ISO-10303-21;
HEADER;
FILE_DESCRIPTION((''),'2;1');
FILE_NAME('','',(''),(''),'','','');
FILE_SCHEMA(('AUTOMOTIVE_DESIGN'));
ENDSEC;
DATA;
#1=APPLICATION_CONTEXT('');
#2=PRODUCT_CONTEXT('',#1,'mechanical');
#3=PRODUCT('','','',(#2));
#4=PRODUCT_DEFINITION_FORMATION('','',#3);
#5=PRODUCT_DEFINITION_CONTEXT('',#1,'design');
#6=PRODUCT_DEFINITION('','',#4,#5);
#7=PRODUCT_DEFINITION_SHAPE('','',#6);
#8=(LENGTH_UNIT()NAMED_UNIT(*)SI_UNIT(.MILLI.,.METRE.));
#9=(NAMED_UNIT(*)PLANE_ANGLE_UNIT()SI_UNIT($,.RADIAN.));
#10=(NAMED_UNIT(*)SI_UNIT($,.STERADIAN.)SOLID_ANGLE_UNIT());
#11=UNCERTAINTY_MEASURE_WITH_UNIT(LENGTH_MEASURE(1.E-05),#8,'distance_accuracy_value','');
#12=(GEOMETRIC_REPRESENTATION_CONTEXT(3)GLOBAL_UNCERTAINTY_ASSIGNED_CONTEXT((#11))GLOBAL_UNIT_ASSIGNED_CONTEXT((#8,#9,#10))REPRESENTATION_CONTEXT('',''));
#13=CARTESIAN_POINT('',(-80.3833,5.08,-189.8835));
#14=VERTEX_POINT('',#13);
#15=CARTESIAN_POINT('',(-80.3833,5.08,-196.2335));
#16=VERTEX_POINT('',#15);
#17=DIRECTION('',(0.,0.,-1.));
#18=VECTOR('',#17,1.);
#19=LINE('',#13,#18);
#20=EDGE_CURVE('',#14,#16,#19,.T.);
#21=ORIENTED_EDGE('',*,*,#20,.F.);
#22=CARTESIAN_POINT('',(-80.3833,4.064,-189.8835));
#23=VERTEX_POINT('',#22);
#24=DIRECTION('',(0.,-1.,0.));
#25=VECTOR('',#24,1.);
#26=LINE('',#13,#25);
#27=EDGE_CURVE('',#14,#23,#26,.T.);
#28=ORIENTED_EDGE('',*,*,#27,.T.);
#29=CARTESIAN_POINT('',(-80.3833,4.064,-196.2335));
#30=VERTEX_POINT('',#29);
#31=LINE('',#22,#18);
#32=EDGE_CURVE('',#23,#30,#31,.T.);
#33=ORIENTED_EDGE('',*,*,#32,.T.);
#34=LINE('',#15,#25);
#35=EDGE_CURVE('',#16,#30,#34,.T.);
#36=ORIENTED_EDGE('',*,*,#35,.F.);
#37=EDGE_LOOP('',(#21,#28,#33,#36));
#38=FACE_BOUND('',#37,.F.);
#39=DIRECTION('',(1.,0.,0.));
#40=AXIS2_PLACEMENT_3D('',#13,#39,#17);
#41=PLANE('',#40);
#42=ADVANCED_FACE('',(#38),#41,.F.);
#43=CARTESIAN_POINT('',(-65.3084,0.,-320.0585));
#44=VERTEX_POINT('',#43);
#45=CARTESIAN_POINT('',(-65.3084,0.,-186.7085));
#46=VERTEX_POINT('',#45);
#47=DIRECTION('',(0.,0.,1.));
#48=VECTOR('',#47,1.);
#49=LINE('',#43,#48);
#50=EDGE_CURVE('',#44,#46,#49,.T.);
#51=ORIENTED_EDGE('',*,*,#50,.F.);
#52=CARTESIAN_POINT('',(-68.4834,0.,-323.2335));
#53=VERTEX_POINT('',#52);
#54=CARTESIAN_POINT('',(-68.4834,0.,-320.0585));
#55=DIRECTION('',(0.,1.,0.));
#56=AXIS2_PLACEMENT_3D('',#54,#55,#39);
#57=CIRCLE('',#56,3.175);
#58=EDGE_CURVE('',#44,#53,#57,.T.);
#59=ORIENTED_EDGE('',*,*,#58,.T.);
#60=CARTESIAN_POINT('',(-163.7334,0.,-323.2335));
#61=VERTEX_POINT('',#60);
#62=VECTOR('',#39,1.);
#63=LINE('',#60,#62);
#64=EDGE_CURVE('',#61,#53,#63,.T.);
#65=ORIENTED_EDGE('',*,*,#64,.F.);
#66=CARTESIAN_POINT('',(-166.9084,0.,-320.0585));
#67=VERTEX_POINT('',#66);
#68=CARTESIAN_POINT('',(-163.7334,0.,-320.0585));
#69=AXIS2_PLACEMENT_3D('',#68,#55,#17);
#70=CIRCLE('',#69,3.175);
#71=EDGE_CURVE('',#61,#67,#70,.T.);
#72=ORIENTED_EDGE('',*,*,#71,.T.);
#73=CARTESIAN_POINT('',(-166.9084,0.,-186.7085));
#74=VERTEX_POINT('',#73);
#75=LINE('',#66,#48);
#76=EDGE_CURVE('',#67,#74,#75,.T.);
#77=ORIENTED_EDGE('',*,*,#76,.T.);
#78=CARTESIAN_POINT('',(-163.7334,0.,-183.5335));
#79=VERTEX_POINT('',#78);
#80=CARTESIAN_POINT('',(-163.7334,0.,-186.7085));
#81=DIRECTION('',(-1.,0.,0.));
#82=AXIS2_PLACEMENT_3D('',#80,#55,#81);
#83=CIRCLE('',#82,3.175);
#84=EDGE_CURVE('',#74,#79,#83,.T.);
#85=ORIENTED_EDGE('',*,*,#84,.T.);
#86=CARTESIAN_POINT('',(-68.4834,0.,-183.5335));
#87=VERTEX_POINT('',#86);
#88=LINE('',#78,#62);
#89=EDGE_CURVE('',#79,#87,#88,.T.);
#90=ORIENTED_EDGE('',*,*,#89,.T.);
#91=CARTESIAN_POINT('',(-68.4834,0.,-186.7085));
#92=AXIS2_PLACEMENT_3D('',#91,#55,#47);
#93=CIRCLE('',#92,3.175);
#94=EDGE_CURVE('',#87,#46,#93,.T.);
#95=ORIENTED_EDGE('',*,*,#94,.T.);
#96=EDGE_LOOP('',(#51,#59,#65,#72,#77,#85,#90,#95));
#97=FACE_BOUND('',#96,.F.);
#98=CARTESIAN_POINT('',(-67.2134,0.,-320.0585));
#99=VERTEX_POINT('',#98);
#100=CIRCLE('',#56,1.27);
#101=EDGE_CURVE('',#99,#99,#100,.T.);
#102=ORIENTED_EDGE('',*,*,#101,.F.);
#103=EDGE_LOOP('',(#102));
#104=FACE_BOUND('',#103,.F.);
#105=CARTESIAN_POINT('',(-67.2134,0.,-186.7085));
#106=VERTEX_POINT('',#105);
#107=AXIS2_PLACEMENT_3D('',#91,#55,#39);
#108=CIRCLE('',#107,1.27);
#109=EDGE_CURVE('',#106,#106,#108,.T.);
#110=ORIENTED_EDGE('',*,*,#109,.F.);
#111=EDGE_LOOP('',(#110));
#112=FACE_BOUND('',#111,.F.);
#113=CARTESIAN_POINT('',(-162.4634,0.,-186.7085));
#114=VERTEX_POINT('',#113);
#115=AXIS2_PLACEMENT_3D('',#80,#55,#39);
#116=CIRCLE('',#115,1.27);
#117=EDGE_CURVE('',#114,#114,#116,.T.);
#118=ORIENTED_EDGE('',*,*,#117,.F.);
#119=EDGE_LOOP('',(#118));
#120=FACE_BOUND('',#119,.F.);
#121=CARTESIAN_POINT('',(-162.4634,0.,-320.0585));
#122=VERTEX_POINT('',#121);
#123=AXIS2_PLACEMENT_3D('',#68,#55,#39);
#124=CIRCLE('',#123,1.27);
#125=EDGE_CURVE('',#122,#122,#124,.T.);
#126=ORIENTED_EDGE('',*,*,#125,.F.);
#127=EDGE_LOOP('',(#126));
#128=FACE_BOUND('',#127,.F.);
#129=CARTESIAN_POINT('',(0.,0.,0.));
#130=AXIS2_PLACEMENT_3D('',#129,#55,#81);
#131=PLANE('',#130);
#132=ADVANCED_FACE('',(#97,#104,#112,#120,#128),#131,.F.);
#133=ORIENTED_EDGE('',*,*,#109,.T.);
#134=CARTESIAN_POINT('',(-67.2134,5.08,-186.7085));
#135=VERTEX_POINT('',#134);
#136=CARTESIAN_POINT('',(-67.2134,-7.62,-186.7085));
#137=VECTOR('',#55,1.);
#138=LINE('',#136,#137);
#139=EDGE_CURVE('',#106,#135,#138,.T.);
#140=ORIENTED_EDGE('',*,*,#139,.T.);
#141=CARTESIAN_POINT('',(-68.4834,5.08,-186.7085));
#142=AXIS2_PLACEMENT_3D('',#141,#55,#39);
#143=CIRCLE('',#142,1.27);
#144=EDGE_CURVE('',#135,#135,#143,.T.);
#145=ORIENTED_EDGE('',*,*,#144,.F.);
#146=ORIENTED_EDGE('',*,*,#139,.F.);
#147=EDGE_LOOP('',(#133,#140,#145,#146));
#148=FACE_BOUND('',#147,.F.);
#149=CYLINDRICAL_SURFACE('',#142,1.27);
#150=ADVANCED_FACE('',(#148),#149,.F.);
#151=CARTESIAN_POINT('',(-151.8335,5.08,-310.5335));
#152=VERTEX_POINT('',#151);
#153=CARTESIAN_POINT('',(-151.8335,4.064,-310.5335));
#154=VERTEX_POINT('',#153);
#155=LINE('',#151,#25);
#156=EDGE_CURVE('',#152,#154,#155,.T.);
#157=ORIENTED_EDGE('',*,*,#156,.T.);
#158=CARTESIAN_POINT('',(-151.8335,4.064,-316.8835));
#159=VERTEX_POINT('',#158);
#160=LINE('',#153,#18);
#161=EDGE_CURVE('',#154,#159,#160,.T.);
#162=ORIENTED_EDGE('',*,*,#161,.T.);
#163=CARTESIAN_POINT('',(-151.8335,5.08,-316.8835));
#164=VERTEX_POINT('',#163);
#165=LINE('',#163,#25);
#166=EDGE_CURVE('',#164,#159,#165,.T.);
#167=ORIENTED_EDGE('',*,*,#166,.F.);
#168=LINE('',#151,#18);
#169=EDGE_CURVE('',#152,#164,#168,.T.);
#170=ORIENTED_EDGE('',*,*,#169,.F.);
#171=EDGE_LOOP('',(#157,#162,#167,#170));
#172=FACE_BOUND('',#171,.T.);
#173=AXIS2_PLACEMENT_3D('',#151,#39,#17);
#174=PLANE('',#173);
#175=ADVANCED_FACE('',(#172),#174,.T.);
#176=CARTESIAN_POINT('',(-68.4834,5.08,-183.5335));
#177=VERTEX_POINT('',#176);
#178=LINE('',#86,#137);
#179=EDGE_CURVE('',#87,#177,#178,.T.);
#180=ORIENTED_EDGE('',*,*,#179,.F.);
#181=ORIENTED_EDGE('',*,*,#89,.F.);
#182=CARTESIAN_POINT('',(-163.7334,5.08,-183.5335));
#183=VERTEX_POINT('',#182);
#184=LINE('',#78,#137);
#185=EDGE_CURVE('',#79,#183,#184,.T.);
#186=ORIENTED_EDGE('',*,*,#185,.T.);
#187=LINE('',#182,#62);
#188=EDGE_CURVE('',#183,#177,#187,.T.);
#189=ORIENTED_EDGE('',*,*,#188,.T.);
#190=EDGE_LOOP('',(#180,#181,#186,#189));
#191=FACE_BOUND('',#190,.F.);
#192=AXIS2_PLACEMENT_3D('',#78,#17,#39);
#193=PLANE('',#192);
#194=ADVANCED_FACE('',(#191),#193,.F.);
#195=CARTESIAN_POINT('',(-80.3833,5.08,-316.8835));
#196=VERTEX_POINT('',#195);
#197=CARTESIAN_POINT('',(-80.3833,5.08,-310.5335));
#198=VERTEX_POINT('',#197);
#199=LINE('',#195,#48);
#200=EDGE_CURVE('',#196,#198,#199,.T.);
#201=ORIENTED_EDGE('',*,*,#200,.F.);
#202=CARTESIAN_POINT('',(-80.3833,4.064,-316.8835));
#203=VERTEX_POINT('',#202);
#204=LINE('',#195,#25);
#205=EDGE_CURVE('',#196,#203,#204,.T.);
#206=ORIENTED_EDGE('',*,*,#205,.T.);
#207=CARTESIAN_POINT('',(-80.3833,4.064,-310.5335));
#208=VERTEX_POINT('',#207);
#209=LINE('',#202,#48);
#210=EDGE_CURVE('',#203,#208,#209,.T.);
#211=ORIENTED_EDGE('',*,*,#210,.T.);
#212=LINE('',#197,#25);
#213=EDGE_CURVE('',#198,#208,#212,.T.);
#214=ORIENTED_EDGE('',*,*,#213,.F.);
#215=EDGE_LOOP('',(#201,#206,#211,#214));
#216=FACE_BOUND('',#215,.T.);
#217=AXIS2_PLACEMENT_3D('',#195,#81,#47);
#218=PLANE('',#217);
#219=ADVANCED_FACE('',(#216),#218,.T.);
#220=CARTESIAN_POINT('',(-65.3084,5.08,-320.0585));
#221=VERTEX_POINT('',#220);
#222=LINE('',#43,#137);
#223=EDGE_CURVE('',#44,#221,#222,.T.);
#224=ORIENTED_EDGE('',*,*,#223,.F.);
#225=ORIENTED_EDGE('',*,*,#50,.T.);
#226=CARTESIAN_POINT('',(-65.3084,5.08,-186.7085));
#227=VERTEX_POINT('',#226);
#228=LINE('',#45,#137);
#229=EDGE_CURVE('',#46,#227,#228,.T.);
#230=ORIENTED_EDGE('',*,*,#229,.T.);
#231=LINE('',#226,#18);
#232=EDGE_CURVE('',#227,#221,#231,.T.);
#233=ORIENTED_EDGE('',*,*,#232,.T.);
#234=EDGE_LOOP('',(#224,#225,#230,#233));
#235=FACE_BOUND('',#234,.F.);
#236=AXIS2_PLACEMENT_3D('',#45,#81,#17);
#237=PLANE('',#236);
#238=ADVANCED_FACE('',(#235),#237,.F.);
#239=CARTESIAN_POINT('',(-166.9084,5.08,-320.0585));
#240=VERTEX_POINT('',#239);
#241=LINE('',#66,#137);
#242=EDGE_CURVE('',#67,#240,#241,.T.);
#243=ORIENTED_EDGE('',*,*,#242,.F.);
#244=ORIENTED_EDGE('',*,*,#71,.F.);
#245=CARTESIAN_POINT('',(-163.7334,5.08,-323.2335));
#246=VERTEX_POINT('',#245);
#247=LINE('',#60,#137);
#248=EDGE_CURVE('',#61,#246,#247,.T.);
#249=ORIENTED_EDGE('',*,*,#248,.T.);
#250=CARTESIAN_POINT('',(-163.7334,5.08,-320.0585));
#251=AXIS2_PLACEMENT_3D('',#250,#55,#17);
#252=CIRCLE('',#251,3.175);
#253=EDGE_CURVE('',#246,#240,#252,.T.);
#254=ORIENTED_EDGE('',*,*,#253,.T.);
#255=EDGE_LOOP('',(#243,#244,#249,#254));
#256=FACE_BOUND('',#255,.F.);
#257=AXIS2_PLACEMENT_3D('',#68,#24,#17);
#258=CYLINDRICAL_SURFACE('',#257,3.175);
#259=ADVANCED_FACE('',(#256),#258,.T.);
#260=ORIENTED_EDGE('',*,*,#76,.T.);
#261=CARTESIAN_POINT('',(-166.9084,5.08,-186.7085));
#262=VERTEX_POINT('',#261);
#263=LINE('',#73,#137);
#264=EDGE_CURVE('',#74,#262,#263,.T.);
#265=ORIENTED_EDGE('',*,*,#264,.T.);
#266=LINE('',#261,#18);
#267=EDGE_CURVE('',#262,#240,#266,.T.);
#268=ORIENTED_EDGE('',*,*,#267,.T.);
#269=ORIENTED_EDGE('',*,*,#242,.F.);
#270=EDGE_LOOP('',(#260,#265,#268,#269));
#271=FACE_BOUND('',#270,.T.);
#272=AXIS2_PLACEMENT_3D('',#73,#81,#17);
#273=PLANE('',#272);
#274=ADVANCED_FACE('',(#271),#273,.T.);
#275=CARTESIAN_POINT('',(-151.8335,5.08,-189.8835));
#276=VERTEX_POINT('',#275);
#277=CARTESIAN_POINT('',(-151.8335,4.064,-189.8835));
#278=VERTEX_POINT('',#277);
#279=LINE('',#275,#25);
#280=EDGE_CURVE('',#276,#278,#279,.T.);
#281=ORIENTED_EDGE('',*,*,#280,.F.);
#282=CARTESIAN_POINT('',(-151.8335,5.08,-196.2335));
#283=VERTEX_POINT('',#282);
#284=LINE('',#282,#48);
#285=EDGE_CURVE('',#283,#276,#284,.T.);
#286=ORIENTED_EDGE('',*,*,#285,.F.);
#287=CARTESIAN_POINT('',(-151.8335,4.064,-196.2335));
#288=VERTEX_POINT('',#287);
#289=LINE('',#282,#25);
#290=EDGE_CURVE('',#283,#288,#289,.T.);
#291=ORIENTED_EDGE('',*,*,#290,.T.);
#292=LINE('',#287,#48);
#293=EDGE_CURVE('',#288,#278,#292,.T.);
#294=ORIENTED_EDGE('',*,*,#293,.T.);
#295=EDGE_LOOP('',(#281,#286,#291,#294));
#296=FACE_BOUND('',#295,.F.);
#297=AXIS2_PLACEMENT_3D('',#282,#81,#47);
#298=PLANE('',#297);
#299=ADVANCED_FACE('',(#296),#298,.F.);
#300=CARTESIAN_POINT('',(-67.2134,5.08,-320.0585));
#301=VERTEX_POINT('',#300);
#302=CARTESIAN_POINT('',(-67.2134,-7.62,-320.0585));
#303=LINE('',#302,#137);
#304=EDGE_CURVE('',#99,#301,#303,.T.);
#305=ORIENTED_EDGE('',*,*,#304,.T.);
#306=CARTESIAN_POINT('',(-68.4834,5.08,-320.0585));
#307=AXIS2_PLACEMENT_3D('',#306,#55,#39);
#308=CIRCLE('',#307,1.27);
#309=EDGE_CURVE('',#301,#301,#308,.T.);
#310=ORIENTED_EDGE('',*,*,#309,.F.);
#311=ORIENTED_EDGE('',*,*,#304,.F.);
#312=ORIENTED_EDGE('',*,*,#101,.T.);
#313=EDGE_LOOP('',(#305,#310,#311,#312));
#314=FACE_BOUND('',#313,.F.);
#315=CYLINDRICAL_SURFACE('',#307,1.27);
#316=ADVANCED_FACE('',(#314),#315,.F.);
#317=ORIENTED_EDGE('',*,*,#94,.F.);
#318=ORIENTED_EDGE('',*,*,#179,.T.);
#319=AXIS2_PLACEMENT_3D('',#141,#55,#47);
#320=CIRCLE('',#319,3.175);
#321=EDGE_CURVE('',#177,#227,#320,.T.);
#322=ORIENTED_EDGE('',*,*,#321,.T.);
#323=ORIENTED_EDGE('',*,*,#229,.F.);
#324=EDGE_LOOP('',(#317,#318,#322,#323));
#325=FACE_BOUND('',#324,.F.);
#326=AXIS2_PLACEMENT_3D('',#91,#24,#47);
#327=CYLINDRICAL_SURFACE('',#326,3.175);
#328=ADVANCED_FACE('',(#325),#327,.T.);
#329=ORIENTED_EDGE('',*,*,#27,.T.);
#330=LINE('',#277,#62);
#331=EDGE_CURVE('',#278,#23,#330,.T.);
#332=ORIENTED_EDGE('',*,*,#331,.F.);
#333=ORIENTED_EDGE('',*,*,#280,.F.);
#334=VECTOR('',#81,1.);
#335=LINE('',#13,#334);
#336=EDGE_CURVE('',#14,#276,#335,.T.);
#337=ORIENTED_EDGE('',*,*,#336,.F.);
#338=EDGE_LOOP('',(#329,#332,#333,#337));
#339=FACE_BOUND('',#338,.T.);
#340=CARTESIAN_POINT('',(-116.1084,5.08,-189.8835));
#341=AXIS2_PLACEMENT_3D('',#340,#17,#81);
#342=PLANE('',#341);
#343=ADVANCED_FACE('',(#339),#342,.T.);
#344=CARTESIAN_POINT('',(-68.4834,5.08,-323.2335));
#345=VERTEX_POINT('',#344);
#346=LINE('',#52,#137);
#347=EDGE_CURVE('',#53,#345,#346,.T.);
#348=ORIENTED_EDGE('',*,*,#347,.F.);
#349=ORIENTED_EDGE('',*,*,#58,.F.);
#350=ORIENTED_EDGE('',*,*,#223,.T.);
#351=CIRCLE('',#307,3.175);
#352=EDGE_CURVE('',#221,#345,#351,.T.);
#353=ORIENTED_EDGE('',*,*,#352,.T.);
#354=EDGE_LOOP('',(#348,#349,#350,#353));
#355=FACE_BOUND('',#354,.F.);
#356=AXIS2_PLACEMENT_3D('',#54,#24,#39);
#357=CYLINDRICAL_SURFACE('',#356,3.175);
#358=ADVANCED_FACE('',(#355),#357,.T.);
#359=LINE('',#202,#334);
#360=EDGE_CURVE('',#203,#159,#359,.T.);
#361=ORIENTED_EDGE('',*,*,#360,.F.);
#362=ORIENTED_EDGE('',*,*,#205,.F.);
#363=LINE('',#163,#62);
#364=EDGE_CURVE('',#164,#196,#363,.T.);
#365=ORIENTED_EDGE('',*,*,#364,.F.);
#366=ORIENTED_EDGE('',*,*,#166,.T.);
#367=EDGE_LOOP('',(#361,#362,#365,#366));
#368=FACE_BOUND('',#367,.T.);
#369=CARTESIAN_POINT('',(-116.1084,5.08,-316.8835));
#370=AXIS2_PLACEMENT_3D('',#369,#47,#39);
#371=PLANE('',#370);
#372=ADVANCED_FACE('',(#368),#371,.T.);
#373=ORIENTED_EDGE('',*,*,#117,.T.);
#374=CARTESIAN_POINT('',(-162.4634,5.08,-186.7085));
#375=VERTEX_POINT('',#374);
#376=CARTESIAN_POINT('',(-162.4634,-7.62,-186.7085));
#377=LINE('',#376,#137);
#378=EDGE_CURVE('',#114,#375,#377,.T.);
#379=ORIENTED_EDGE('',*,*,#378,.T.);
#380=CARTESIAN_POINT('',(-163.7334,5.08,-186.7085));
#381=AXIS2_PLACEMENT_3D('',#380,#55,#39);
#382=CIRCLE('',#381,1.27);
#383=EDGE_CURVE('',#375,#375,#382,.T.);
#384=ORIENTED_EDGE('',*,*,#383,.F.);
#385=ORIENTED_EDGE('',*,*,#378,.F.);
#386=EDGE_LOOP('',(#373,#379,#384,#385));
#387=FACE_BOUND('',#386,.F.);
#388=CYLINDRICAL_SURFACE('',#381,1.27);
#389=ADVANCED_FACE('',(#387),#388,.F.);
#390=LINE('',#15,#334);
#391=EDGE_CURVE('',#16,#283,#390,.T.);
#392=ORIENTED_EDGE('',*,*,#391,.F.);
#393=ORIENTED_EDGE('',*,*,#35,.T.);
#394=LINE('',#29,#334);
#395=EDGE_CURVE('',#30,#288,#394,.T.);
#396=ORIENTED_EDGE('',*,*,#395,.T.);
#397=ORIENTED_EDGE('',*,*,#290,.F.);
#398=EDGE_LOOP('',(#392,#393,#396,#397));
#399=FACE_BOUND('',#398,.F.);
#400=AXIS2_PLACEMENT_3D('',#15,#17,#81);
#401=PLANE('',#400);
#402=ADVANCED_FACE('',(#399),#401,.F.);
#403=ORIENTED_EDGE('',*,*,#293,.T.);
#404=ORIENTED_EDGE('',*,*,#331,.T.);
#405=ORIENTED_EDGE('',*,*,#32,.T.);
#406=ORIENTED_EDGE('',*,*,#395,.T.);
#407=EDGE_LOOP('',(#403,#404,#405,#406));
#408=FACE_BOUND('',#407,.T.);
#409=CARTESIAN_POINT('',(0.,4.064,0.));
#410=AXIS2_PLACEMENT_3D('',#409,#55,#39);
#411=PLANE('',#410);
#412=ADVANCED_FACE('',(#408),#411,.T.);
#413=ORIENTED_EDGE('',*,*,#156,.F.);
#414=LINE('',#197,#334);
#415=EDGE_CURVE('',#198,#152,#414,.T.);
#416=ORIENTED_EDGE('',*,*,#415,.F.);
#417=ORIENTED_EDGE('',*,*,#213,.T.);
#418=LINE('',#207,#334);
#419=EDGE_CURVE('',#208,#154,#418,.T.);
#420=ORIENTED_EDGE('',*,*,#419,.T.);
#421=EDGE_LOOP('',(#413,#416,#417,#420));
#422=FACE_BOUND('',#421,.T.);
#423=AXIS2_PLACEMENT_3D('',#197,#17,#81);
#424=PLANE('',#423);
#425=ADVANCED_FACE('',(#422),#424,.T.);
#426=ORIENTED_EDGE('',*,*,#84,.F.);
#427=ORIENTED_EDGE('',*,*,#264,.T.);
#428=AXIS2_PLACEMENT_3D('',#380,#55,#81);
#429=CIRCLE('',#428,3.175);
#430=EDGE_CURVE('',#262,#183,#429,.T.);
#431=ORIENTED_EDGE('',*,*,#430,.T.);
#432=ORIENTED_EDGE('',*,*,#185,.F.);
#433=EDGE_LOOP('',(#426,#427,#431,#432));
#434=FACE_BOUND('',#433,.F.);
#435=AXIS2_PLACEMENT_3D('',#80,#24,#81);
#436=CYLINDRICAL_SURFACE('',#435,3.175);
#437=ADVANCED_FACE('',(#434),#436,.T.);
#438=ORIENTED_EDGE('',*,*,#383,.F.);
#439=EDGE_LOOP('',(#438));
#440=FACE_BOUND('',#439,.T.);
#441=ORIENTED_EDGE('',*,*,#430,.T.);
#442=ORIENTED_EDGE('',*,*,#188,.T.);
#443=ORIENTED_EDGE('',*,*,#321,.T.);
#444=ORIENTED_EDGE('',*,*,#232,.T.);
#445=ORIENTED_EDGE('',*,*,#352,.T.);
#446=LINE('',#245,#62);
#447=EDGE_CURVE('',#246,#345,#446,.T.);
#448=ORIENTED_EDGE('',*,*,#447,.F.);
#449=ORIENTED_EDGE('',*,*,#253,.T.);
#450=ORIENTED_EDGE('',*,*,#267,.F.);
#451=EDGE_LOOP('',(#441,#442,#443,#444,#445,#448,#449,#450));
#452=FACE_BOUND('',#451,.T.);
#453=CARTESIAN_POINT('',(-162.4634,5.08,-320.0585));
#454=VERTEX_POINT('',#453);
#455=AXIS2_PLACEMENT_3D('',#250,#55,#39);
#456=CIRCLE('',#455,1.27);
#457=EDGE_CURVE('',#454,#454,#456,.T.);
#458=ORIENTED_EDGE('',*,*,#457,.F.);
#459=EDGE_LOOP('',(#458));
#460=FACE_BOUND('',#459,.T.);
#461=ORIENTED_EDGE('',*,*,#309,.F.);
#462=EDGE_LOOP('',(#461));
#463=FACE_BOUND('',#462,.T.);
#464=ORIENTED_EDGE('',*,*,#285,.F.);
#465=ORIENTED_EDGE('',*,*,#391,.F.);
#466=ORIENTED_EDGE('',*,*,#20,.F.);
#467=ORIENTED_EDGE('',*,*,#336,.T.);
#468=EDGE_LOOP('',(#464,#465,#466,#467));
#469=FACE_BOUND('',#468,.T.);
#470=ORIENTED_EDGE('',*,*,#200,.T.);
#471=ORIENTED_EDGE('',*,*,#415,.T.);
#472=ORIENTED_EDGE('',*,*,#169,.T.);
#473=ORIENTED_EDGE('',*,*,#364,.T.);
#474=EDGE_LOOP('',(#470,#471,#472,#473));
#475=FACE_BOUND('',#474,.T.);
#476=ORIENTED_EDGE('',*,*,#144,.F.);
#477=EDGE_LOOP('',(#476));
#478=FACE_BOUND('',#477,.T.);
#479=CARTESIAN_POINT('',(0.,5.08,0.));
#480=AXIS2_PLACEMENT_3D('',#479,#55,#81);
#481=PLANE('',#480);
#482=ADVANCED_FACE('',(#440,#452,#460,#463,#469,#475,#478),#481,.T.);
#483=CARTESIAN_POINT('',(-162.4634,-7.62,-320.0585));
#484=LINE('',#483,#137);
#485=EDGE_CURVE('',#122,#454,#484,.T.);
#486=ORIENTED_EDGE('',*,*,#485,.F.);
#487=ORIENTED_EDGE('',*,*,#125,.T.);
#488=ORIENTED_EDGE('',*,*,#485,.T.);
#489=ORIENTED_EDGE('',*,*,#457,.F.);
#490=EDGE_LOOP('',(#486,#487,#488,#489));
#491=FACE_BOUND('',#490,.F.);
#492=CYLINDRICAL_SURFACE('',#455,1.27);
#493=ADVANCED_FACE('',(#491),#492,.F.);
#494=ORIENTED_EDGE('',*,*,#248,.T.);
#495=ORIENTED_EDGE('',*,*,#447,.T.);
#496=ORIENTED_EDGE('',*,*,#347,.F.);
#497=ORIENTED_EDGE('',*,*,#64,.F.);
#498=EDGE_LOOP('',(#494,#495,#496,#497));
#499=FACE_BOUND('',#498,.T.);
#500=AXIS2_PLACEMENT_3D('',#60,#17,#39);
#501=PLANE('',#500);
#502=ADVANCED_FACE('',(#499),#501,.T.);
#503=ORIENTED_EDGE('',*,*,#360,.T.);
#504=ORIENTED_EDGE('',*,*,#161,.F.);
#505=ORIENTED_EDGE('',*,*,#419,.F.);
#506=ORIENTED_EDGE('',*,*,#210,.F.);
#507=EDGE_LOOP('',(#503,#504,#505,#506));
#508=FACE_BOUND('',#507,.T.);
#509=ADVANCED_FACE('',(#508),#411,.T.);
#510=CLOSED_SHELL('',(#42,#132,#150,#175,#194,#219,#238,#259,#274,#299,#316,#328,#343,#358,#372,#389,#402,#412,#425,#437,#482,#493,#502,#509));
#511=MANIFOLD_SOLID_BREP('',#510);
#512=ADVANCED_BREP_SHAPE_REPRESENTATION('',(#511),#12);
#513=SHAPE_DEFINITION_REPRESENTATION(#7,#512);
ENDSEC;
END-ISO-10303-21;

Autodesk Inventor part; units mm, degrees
ref_plane "YZ Plane" through (0, 0, 0) normal (1, 0, 0) x (0, 1, 0)
ref_plane "XZ Plane" through (0, 0, 0) normal (0, 1, 0) x (-1, 0, 0)
ref_plane "XY Plane" through (0, 0, 0) normal (0, 0, 1) x (1, 0, 0)
sketch "Sketch1" plane through (0, 0, 0) normal (0, 1, 0) x (-1, 0, 0)
  line L0 (163.7334, -183.5335) -> (68.4834, -183.5335)
  line L1 (166.9084, -186.7085) -> (166.9084, -253.3835)
  line L2 (65.3084, -186.7085) -> (65.3084, -253.3835)
  arc A0 (166.9084, -186.7085) -> (163.7334, -183.5335) centre (163.7334, -186.7085) ccw
  arc A1 (68.4834, -183.5335) -> (65.3084, -186.7085) centre (68.4834, -186.7085) ccw
  line L3 (163.7334, -323.2335) -> (68.4834, -323.2335)
  line L4 (166.9084, -320.0585) -> (166.9084, -253.3835)
  line L5 (65.3084, -320.0585) -> (65.3084, -253.3835)
  arc A2 (163.7334, -323.2335) -> (166.9084, -320.0585) centre (163.7334, -320.0585) ccw
  arc A3 (65.3084, -320.0585) -> (68.4834, -323.2335) centre (68.4834, -320.0585) ccw
  point P0 (0, 0)
  point P1 (65.3084, -183.5335)
  dimension "d5" = 69.85
  dimension "d6" = 3.175
extrude "Extrusion1" add sketch "Sketch1" along normal blind 5.08
sketch "Sketch2" plane through (0, 5.08, 0) normal (0, 1, 0) x (1, 0, 0)
  arc A0 (-166.9084, 186.7085) -> (-163.7334, 183.5335) centre (-163.7334, 186.7085) ccw projected
  circle A1 centre (-163.7334, 186.7085) radius 1.27
  arc A2 (-68.4834, 183.5335) -> (-65.3084, 186.7085) centre (-68.4834, 186.7085) ccw projected
  circle A3 centre (-68.4834, 186.7085) radius 1.27
  arc A4 (-163.7334, 323.2335) -> (-166.9084, 320.0585) centre (-163.7334, 320.0585) ccw projected
  circle A5 centre (-163.7334, 320.0585) radius 1.27
  arc A6 (-65.3084, 320.0585) -> (-68.4834, 323.2335) centre (-68.4834, 320.0585) ccw projected
  circle A7 centre (-68.4834, 320.0585) radius 1.27
  point P0 (0, 0)
  dimension "d11" = 2.54
  dimension "d12" = 2.54
  dimension "d13" = 2.54
  dimension "d14" = 2.54
extrude "Extrusion2" cut sketch "Sketch2" against normal mid plane 25.4
sketch "Sketch3" plane through (0, 5.08, 0) normal (0, 1, 0) x (1, 0, 0)
  line L0 (-68.4834, 323.2335) -> (-163.7334, 323.2335) projected
  line L1 (-116.1084, 316.8835) -> (-80.3833, 316.8835)
  line L2 (-116.1084, 316.8835) -> (-151.8335, 316.8835)
  line L3 (-80.3833, 316.8835) -> (-80.3833, 310.5335)
  line L4 (-80.3833, 310.5335) -> (-151.8335, 310.5335)
  line L5 (-151.8335, 310.5335) -> (-151.8335, 316.8835)
  line L6 (-65.3084, 186.7085) -> (-65.3084, 320.0585) projected
  line L7 (-116.1084, 189.8835) -> (-80.3833, 189.8835)
  line L8 (-116.1084, 189.8835) -> (-151.8335, 189.8835)
  line L9 (-80.3833, 189.8835) -> (-80.3833, 196.2335)
  line L10 (-80.3833, 196.2335) -> (-151.8335, 196.2335)
  line L11 (-151.8335, 196.2335) -> (-151.8335, 189.8835)
  point P0 (0, 0)
extrude "Extrusion3" cut sketch "Sketch3" against normal blind 1.016
properties part number "Base Bracket 1x"
